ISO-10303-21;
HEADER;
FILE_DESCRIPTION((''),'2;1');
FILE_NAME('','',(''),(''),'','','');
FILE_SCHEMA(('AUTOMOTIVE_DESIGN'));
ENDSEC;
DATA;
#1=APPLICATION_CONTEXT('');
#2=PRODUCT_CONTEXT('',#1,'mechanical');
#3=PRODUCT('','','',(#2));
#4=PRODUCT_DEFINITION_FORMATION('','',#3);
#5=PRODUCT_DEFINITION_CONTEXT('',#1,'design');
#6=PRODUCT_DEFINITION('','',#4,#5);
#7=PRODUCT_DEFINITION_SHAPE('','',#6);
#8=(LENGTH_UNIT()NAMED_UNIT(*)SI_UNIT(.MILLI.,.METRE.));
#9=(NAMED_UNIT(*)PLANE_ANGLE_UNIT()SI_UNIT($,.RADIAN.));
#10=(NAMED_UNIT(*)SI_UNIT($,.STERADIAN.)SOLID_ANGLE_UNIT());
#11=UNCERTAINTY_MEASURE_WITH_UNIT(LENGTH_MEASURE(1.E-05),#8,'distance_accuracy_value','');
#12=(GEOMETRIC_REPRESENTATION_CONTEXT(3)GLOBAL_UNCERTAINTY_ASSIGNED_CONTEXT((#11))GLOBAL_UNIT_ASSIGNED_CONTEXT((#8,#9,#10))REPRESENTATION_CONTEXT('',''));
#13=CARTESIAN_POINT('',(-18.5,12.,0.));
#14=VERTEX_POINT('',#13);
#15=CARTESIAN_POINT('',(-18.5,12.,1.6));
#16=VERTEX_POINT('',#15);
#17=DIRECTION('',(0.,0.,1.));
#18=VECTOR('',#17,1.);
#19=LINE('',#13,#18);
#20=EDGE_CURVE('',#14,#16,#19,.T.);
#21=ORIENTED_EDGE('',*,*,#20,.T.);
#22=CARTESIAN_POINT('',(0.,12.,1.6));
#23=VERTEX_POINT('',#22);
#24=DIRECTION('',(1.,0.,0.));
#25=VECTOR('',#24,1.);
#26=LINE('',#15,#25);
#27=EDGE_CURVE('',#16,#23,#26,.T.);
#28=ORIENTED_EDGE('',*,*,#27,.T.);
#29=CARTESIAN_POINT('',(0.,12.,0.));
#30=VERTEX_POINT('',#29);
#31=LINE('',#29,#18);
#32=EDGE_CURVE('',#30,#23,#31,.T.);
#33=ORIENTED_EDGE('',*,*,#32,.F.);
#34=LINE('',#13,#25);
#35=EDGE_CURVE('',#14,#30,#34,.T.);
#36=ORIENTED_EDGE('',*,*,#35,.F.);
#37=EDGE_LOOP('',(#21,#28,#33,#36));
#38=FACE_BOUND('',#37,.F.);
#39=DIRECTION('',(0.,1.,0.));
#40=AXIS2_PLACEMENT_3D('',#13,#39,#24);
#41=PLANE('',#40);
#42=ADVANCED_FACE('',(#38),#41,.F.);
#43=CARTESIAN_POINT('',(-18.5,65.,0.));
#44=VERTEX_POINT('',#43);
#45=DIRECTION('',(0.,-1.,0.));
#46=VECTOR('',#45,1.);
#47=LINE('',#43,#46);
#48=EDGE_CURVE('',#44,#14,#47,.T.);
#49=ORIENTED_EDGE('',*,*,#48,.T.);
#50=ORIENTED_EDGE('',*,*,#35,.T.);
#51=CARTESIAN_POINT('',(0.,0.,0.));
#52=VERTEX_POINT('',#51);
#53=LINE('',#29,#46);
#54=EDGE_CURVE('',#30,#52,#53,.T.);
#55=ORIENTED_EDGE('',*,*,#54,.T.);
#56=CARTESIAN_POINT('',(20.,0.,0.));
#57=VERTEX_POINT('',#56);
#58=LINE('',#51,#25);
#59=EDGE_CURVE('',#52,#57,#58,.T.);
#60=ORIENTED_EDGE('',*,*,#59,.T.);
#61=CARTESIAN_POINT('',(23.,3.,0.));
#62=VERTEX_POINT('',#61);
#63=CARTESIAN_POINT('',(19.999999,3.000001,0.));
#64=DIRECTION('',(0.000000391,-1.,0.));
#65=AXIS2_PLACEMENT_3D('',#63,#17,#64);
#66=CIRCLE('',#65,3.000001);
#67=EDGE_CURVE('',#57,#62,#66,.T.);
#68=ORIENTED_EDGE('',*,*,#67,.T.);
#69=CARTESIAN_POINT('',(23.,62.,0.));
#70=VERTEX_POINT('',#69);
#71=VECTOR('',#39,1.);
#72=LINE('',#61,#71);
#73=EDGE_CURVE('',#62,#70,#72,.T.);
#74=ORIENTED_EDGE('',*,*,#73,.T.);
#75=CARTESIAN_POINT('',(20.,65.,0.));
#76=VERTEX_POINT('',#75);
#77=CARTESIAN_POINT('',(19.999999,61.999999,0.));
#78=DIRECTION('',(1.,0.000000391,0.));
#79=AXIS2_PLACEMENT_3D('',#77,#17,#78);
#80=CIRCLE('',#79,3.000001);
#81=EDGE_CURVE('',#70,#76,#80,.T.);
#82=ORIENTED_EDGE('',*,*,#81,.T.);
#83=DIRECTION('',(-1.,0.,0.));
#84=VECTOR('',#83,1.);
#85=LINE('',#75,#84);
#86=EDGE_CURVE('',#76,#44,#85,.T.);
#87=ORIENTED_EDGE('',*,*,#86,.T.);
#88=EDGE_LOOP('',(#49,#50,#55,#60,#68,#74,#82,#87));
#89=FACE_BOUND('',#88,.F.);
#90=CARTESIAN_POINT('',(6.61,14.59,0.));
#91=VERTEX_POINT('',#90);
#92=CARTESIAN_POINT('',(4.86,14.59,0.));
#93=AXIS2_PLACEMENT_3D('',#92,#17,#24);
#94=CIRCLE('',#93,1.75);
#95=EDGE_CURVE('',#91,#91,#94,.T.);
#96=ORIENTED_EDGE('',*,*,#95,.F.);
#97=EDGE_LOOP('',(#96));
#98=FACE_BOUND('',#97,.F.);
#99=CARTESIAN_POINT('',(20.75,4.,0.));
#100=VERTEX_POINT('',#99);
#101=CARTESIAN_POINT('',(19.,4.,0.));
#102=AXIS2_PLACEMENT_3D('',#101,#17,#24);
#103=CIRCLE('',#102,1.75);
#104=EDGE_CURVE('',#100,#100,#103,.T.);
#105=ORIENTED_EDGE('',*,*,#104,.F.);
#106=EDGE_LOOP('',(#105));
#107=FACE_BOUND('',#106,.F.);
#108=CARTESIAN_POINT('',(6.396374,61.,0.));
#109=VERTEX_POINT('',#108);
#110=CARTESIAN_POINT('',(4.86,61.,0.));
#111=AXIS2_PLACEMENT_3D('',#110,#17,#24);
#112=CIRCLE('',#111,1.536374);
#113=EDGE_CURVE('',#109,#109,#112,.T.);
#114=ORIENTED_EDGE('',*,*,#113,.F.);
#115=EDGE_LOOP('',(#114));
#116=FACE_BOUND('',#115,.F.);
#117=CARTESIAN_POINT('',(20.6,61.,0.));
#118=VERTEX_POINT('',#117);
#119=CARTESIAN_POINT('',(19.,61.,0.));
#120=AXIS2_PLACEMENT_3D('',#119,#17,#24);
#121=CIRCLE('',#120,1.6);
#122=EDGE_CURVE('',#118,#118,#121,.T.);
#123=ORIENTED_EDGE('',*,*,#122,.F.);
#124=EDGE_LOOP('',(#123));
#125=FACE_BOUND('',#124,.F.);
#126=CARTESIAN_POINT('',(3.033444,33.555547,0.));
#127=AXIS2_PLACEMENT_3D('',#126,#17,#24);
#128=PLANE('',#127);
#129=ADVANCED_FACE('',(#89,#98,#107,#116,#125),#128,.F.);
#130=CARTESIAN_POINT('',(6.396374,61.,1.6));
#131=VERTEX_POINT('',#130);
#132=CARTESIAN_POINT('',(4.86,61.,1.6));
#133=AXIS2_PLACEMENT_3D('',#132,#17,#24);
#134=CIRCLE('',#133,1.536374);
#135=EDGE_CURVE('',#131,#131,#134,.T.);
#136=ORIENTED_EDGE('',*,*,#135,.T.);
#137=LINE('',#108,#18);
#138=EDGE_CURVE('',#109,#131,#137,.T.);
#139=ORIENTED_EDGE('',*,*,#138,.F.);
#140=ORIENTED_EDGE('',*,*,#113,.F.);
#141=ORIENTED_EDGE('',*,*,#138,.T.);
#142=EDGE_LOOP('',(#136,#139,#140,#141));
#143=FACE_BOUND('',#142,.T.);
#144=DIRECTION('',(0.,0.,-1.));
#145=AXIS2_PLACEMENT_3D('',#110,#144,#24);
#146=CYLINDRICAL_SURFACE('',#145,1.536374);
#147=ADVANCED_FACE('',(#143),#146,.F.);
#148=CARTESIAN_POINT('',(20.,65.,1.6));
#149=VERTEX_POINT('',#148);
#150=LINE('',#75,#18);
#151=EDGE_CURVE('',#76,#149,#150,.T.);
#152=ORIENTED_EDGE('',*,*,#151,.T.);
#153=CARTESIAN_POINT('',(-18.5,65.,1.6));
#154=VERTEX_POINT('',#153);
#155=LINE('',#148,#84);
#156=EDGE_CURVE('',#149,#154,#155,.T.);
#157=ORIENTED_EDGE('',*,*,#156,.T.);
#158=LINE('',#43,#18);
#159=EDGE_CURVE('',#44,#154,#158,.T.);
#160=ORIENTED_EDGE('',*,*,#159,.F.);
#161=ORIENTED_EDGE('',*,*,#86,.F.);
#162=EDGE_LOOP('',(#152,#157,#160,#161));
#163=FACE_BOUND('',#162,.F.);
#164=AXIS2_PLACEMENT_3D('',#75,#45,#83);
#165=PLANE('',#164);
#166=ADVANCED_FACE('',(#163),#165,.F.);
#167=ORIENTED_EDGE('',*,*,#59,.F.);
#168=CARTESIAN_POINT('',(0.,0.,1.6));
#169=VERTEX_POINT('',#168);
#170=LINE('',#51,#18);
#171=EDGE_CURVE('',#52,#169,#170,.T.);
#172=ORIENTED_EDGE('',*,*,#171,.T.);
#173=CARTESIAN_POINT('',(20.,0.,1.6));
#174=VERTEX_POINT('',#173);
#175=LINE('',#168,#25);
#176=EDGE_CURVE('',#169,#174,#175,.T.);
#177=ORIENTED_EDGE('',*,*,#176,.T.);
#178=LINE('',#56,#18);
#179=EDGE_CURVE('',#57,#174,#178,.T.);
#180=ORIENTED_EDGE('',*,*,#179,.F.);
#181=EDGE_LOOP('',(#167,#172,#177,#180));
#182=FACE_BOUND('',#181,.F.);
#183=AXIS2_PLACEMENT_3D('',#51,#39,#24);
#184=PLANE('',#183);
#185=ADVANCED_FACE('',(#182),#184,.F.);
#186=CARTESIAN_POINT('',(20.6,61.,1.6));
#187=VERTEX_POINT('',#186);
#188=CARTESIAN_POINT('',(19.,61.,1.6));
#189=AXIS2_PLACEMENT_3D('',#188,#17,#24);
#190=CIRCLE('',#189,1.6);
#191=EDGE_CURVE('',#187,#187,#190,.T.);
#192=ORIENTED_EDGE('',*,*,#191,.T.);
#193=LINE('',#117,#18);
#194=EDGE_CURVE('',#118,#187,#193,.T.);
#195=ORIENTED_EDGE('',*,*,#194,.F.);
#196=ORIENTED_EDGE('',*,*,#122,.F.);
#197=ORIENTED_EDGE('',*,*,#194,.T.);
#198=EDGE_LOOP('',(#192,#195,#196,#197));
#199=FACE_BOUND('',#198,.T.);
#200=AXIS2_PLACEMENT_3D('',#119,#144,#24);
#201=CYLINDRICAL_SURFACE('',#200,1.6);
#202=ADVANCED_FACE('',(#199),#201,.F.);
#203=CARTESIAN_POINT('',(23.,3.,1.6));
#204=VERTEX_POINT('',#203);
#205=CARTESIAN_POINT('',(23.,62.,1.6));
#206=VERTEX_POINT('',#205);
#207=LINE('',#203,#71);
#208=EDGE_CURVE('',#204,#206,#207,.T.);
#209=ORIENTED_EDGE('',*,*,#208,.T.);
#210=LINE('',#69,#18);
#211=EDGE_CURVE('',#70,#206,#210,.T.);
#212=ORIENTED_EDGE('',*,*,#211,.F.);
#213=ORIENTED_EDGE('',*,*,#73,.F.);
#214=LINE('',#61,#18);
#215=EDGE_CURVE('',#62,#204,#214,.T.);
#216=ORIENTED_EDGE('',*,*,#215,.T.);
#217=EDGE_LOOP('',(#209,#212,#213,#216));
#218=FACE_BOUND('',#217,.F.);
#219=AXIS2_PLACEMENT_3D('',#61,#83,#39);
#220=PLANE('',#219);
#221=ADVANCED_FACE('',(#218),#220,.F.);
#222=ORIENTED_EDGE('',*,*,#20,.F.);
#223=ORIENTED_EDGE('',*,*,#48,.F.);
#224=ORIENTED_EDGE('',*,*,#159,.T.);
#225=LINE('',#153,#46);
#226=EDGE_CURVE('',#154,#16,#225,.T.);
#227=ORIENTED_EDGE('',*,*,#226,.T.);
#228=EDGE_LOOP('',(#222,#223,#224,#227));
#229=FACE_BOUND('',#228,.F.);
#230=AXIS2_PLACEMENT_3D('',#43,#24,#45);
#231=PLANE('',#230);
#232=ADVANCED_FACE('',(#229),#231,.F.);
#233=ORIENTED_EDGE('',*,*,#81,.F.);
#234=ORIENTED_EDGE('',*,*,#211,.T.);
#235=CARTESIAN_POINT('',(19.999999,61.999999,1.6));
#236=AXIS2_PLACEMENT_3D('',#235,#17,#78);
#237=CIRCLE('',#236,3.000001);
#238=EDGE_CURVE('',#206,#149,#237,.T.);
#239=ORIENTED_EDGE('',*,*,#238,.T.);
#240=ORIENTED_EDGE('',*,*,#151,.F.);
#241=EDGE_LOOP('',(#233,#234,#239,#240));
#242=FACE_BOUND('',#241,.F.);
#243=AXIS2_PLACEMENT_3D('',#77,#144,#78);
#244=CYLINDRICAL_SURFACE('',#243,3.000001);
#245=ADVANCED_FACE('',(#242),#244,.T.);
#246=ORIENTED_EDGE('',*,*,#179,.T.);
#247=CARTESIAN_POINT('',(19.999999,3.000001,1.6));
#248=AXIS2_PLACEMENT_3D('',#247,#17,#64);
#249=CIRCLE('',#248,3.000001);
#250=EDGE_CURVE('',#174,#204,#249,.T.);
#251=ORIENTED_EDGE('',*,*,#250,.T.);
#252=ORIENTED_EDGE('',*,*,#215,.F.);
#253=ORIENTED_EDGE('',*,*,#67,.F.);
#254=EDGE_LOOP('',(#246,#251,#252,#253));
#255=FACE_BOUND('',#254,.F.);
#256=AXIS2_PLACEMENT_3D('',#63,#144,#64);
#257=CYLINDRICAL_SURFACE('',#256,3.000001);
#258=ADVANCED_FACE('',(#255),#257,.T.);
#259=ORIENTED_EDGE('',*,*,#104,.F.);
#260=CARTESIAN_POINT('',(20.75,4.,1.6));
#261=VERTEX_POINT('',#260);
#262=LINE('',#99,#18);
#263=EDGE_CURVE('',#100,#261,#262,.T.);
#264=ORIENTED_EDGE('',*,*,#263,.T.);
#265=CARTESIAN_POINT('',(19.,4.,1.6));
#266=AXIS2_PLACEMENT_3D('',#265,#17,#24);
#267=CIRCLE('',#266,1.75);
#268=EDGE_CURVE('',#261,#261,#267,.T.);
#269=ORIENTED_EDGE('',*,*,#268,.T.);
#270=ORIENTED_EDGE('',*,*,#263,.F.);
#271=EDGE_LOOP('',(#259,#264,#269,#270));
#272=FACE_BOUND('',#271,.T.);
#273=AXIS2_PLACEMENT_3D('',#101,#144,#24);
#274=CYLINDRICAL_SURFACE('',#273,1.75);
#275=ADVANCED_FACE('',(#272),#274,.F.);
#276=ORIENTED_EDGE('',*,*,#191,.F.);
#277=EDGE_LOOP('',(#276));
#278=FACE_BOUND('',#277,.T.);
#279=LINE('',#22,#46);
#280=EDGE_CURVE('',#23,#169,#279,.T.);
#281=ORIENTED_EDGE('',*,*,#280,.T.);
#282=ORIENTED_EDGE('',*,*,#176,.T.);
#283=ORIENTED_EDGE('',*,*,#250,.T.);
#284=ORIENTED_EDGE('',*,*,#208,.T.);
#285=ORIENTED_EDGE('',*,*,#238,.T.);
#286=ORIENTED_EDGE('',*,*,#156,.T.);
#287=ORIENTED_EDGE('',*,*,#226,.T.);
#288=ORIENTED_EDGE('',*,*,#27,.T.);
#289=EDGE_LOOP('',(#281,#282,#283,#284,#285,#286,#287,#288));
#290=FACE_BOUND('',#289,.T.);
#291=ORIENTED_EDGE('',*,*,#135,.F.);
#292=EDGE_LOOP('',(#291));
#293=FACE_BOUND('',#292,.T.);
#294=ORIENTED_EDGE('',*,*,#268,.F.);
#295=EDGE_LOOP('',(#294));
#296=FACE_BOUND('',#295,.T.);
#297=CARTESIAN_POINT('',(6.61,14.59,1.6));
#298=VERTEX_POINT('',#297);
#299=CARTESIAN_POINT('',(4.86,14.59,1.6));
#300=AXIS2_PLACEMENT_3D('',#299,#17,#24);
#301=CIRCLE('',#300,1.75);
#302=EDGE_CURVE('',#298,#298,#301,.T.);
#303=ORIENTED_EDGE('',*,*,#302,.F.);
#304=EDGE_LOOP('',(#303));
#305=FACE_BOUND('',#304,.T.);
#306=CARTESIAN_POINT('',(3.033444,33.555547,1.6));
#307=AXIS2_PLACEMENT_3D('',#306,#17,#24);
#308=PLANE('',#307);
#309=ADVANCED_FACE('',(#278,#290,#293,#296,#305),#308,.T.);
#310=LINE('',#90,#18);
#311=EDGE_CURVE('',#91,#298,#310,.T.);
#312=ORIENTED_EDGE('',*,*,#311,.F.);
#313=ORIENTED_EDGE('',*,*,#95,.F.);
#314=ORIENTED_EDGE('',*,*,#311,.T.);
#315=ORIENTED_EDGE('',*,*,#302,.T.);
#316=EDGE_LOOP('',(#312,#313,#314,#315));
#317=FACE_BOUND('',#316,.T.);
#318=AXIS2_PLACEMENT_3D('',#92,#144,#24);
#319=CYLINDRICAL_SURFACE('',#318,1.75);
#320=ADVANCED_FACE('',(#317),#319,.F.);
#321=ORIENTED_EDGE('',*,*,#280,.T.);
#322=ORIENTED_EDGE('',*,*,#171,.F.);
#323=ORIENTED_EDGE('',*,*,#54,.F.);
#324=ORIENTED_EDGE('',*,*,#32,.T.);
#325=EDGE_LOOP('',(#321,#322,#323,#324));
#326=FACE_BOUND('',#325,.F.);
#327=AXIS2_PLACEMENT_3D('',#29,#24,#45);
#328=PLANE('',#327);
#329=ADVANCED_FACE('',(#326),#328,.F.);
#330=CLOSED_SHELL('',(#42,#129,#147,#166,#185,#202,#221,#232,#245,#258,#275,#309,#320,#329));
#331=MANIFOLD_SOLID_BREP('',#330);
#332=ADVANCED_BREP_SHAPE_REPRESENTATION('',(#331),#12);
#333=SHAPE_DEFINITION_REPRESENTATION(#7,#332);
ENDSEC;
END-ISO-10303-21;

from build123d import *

# Parameters (mm, degrees)
F0_R     = 1.75
F0_R_2   = 1.536374
F0_R_3   = 1.6
F1_DEPTH = 1.6


with BuildPart() as f1:
    # F0 (on Top) → F1 (new body)
    with BuildSketch(Plane.XY):
        with BuildLine():
            Line((0, 12), (0, 0))
            Line((0, 0), (20, 0))
            ThreePointArc((20, 0), (22.12132, 0.87868), (23, 3))
            Line((23, 3), (23, 62))
            ThreePointArc((23, 62), (22.12132, 64.12132), (20, 65))
            Line((20, 65), (-18.5, 65))
            Line((-18.5, 65), (-18.5, 12))
            Line((-18.5, 12), (0, 12))
        make_face()
        with Locations((4.86, 14.59)):
            Circle(F0_R, mode=Mode.SUBTRACT)
        with Locations((19, 4)):
            Circle(F0_R, mode=Mode.SUBTRACT)
        with Locations((4.86, 61)):
            Circle(F0_R_2, mode=Mode.SUBTRACT)
        with Locations((19, 61)):
            Circle(F0_R_3, mode=Mode.SUBTRACT)
    extrude(amount=F1_DEPTH)


solid = f1.part
